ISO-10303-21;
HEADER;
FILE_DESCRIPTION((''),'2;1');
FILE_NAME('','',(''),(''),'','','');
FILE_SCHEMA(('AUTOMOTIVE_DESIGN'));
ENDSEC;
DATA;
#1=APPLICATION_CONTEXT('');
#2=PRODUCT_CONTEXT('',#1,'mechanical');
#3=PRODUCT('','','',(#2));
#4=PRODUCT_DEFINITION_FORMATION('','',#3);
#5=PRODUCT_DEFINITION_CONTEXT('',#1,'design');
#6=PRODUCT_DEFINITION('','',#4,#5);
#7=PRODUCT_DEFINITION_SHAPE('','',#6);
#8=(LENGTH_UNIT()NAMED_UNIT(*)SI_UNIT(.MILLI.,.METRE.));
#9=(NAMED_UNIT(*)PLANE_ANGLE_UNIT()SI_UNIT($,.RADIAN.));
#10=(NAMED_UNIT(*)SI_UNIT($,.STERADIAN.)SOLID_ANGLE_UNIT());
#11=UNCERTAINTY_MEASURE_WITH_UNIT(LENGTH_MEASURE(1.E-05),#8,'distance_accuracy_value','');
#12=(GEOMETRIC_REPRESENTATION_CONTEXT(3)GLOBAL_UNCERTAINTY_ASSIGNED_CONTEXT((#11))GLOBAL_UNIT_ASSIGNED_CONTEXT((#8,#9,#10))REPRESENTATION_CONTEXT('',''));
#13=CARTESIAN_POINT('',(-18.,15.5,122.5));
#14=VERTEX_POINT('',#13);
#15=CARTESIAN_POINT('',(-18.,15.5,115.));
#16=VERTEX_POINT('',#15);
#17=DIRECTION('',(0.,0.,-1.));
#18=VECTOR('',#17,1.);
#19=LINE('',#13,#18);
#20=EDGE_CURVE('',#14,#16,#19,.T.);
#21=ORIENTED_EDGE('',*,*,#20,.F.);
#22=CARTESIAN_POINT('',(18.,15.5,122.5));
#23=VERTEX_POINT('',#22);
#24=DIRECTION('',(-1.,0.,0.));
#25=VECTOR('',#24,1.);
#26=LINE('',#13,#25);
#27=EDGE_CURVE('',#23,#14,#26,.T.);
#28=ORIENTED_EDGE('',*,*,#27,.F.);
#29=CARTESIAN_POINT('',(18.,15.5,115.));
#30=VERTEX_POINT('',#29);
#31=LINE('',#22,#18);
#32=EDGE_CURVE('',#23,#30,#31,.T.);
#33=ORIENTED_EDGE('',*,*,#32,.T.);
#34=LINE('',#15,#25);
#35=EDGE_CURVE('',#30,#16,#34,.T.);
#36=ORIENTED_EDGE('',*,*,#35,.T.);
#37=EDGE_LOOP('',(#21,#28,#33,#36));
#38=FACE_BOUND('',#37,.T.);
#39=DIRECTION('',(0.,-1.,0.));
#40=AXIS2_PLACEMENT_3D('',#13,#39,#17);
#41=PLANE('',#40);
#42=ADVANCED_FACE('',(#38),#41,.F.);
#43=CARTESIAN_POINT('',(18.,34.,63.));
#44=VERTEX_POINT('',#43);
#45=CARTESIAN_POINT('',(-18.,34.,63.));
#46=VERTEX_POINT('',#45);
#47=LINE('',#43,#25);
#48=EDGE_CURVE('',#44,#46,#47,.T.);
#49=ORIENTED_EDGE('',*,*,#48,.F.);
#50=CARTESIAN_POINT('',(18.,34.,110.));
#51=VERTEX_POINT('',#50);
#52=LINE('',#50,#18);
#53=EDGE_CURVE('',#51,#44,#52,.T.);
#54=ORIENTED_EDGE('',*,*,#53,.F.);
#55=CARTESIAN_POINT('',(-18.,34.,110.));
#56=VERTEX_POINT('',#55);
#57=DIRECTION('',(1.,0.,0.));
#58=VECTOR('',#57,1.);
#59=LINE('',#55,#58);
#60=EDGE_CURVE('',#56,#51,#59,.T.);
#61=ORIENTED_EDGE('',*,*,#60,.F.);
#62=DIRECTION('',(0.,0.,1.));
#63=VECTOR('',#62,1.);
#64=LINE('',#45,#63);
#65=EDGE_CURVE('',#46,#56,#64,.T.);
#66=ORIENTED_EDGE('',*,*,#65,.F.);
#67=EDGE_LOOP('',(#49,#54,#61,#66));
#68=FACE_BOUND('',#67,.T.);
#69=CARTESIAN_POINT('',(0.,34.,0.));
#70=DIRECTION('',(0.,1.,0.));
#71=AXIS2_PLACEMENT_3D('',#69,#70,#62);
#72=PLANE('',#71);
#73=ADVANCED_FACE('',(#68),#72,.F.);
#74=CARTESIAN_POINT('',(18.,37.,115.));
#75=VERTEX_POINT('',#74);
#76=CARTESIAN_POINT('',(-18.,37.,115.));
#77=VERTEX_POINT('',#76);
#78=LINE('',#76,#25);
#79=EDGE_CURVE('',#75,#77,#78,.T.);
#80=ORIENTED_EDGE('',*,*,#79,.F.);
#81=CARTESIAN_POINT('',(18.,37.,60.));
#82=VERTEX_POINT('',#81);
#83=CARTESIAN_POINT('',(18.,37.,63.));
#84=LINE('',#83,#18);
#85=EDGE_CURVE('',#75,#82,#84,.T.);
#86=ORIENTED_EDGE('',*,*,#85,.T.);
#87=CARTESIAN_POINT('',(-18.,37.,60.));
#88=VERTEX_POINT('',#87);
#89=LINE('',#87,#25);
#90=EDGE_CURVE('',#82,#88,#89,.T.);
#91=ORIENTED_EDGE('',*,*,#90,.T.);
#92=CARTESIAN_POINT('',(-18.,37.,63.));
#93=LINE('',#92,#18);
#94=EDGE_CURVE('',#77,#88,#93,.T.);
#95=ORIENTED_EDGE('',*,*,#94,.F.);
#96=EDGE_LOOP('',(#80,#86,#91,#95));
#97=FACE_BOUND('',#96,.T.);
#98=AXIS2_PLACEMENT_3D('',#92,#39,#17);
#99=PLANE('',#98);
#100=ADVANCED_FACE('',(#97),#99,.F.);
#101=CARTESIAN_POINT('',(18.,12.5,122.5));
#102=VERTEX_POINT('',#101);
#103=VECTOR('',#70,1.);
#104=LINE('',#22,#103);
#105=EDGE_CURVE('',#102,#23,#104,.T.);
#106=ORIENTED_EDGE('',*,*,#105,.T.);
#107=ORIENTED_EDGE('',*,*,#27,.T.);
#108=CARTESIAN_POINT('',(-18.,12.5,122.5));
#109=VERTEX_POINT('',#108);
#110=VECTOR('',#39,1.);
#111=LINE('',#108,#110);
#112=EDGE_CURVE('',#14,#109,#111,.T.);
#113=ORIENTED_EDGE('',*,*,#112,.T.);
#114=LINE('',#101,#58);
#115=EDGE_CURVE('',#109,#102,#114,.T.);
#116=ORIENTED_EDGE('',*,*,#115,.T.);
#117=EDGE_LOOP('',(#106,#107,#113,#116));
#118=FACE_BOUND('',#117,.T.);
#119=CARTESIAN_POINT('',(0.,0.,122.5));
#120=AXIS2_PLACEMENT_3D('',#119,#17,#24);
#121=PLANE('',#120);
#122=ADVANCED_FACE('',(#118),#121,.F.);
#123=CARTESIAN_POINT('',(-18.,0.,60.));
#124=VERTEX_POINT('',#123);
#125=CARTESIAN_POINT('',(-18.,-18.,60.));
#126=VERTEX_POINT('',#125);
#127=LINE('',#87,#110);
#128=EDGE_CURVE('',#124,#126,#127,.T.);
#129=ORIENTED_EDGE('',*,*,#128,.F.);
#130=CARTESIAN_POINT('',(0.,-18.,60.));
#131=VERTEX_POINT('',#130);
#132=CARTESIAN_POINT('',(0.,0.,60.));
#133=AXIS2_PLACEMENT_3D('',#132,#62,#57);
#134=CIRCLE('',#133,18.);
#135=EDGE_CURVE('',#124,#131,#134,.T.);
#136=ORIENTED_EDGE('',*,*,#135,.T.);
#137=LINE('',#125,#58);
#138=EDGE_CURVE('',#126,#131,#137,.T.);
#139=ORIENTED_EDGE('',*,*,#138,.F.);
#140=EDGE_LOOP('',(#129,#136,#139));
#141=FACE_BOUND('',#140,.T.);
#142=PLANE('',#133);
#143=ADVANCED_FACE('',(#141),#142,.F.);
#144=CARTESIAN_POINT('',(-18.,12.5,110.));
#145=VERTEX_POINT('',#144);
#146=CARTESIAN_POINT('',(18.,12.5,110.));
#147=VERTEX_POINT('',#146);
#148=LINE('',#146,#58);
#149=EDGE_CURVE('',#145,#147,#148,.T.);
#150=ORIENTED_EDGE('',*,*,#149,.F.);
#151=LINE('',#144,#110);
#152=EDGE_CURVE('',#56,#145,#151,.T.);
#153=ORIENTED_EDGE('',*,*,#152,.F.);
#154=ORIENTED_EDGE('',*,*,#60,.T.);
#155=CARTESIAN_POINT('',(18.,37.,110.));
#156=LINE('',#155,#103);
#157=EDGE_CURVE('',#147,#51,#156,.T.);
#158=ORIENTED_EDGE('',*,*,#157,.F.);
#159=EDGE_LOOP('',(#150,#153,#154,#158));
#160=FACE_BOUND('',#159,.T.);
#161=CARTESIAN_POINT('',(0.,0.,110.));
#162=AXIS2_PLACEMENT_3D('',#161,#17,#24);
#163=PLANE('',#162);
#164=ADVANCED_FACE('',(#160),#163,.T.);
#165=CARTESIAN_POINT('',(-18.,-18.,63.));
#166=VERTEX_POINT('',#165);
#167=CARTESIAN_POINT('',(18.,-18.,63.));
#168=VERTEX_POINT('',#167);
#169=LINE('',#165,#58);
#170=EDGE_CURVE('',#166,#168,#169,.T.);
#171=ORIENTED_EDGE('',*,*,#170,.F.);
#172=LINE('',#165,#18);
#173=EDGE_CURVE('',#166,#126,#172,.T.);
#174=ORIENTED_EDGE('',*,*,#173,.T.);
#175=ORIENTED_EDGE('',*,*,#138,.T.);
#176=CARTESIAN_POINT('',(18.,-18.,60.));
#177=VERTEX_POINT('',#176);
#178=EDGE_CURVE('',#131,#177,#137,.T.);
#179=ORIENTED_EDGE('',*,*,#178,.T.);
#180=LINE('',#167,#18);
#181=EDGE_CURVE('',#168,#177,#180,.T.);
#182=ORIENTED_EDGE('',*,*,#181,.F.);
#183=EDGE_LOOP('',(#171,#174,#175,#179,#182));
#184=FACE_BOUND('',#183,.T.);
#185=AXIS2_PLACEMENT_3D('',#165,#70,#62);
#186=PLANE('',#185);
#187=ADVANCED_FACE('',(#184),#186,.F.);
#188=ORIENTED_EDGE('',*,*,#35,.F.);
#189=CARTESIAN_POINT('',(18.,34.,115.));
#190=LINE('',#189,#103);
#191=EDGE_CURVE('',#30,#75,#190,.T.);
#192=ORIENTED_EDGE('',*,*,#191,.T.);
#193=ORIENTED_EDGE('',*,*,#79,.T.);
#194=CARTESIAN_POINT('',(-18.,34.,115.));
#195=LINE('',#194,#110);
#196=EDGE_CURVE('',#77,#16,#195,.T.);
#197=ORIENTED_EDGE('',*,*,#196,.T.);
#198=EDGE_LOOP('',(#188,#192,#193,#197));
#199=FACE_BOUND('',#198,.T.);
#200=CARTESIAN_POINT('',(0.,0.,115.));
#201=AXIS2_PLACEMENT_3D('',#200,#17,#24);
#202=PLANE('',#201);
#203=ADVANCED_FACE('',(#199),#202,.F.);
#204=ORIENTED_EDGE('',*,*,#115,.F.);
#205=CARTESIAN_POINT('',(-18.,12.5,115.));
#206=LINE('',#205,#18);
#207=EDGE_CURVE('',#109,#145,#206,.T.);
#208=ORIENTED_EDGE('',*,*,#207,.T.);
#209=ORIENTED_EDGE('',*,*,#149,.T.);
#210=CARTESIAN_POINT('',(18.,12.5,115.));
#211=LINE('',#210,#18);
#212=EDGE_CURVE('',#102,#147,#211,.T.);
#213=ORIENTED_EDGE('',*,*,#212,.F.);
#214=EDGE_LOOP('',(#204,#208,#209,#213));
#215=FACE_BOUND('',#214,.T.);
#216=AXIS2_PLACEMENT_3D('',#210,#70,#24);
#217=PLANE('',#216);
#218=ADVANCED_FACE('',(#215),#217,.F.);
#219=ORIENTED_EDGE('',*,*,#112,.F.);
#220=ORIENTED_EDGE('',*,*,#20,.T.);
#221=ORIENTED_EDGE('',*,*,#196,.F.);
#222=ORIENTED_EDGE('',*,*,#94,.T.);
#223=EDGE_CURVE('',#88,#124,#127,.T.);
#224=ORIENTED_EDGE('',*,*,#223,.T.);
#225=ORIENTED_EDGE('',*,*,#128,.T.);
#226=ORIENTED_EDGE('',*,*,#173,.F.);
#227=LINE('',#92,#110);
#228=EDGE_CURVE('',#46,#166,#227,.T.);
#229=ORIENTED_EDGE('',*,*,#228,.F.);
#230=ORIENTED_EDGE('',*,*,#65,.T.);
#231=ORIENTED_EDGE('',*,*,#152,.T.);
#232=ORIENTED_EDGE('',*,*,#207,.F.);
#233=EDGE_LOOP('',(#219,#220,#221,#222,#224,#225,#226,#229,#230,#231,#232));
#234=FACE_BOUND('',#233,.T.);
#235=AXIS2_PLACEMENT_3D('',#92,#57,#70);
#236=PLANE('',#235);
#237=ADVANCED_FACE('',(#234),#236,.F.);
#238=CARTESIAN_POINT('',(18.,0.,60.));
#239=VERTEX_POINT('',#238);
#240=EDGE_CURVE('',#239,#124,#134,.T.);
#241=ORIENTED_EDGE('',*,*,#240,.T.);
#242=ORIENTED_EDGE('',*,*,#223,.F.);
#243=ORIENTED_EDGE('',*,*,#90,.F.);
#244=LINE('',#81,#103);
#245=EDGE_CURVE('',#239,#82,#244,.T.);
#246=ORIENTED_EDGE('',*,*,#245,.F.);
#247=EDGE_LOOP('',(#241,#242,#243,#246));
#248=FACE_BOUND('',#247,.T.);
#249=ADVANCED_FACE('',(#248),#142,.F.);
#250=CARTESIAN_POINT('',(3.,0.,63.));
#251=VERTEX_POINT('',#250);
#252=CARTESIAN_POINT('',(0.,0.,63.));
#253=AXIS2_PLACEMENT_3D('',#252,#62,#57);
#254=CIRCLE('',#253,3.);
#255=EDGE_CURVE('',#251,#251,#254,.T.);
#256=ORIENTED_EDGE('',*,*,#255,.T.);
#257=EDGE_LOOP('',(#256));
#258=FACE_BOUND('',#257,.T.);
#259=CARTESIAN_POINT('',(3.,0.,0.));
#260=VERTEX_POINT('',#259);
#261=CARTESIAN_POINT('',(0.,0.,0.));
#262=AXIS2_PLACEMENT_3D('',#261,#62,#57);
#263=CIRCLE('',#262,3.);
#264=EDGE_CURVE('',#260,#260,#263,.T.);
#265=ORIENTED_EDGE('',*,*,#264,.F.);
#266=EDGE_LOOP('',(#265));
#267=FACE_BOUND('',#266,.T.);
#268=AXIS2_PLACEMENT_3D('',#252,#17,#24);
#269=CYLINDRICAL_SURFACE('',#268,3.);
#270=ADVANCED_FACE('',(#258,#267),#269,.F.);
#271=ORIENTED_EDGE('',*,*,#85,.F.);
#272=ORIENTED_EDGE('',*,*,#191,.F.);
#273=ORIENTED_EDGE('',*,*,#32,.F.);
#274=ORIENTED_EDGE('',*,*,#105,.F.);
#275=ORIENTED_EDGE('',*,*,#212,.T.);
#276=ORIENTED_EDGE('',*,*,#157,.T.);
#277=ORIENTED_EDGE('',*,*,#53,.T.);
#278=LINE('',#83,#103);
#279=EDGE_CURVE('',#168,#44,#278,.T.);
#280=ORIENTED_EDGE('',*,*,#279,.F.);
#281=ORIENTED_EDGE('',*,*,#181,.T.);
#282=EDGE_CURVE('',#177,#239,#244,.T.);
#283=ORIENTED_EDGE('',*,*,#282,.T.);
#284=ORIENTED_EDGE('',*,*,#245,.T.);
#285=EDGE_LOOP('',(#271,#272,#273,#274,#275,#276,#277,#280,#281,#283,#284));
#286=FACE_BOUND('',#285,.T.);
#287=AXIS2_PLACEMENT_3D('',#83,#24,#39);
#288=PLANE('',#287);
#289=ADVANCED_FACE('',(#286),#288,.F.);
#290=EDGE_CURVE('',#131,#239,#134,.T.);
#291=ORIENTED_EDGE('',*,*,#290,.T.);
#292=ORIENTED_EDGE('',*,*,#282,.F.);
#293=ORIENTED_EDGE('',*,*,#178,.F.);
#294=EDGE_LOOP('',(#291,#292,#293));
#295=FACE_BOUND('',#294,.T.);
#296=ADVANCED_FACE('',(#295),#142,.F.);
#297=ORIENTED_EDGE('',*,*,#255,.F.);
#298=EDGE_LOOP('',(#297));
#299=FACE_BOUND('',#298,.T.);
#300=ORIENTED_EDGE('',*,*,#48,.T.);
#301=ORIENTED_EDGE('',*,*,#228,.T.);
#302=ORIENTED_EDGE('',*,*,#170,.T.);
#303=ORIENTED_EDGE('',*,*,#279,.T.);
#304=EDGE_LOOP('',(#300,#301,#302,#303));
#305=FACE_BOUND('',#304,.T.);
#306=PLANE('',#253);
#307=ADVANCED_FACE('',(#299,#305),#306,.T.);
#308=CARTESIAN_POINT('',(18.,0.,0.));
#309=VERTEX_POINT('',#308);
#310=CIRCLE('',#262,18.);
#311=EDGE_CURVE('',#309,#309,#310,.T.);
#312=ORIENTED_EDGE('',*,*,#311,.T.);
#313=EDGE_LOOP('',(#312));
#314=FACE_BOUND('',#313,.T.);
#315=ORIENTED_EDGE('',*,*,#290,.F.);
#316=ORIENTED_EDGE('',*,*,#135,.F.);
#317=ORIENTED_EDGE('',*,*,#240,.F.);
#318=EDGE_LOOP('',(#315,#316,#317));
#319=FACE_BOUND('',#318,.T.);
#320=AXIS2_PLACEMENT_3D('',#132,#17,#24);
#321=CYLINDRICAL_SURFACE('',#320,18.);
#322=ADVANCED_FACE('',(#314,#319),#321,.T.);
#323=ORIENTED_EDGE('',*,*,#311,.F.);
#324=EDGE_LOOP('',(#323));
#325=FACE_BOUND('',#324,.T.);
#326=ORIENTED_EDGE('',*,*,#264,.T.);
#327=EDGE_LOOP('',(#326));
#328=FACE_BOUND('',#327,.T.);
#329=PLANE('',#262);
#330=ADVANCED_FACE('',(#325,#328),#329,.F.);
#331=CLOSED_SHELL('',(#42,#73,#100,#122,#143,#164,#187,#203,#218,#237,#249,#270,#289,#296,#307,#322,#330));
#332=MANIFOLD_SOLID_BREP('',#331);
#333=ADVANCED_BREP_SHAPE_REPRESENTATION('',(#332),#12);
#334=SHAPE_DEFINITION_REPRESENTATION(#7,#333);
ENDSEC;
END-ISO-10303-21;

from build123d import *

# Parameters (mm, degrees)
SKETCH2_R               = 18
BOSS_EXTRUDE1_DEPTH     = 60
SKETCH4_W               = 36
SKETCH4_H               = 55
BOSS_EXTRUDE2_DEPTH     = 3
CUT_EXTRUDE1_DEPTH      = 3
CUT_EXTRUDE1_DEPTH_BACK = 60
SKETCH3_R               = 3
SKETCH6_W               = 36
SKETCH6_H               = 47
BOSS_EXTRUDE3_DEPTH     = 3
BOSS_EXTRUDE4_DEPTH     = 5
SKETCH8_W               = 36
SKETCH8_H               = 3
BOSS_EXTRUDE5_DEPTH     = 7.5


with BuildPart() as part:
    # Sketch2 → Boss-Extrude1 (new body)
    with BuildSketch(Plane.XY):
        Circle(SKETCH2_R)
    extrude(amount=BOSS_EXTRUDE1_DEPTH)

    # Sketch4 → Boss-Extrude2 (add)
    with BuildSketch(Plane.XY.offset(60)):
        with Locations((0, 9.5)):
            Rectangle(SKETCH4_W, SKETCH4_H)
    extrude(amount=BOSS_EXTRUDE2_DEPTH)

    # Sketch3 → Cut-Extrude1 (cut, two sides: drawn at the far end of the back side and taken through both)
    with BuildSketch(Plane.XY.offset(60).offset(-CUT_EXTRUDE1_DEPTH_BACK)):
        Circle(SKETCH3_R)
    extrude(amount=CUT_EXTRUDE1_DEPTH + CUT_EXTRUDE1_DEPTH_BACK, mode=Mode.SUBTRACT)

    # Sketch6 → Boss-Extrude3 (add)
    with BuildSketch(Plane(origin=(0, 37, 0), x_dir=(1, 0, 0), z_dir=(0, 1, 0))):
        with Locations((0, -86.5)):
            Rectangle(SKETCH6_W, SKETCH6_H)
    extrude(amount=-BOSS_EXTRUDE3_DEPTH)

    # Sketch7 → Boss-Extrude4 (add)
    with BuildSketch(Plane.XY.offset(110)):
        Polygon((18, 34), (18, 12.5), (-18, 12.5), (-18, 34), (-18, 37), (18, 37), align=None)
    extrude(amount=BOSS_EXTRUDE4_DEPTH)

    # Sketch8 → Boss-Extrude5 (add)
    with BuildSketch(Plane.XY.offset(115)):
        with Locations((0, 14)):
            Rectangle(SKETCH8_W, SKETCH8_H)
    extrude(amount=BOSS_EXTRUDE5_DEPTH)


solid = part.part
